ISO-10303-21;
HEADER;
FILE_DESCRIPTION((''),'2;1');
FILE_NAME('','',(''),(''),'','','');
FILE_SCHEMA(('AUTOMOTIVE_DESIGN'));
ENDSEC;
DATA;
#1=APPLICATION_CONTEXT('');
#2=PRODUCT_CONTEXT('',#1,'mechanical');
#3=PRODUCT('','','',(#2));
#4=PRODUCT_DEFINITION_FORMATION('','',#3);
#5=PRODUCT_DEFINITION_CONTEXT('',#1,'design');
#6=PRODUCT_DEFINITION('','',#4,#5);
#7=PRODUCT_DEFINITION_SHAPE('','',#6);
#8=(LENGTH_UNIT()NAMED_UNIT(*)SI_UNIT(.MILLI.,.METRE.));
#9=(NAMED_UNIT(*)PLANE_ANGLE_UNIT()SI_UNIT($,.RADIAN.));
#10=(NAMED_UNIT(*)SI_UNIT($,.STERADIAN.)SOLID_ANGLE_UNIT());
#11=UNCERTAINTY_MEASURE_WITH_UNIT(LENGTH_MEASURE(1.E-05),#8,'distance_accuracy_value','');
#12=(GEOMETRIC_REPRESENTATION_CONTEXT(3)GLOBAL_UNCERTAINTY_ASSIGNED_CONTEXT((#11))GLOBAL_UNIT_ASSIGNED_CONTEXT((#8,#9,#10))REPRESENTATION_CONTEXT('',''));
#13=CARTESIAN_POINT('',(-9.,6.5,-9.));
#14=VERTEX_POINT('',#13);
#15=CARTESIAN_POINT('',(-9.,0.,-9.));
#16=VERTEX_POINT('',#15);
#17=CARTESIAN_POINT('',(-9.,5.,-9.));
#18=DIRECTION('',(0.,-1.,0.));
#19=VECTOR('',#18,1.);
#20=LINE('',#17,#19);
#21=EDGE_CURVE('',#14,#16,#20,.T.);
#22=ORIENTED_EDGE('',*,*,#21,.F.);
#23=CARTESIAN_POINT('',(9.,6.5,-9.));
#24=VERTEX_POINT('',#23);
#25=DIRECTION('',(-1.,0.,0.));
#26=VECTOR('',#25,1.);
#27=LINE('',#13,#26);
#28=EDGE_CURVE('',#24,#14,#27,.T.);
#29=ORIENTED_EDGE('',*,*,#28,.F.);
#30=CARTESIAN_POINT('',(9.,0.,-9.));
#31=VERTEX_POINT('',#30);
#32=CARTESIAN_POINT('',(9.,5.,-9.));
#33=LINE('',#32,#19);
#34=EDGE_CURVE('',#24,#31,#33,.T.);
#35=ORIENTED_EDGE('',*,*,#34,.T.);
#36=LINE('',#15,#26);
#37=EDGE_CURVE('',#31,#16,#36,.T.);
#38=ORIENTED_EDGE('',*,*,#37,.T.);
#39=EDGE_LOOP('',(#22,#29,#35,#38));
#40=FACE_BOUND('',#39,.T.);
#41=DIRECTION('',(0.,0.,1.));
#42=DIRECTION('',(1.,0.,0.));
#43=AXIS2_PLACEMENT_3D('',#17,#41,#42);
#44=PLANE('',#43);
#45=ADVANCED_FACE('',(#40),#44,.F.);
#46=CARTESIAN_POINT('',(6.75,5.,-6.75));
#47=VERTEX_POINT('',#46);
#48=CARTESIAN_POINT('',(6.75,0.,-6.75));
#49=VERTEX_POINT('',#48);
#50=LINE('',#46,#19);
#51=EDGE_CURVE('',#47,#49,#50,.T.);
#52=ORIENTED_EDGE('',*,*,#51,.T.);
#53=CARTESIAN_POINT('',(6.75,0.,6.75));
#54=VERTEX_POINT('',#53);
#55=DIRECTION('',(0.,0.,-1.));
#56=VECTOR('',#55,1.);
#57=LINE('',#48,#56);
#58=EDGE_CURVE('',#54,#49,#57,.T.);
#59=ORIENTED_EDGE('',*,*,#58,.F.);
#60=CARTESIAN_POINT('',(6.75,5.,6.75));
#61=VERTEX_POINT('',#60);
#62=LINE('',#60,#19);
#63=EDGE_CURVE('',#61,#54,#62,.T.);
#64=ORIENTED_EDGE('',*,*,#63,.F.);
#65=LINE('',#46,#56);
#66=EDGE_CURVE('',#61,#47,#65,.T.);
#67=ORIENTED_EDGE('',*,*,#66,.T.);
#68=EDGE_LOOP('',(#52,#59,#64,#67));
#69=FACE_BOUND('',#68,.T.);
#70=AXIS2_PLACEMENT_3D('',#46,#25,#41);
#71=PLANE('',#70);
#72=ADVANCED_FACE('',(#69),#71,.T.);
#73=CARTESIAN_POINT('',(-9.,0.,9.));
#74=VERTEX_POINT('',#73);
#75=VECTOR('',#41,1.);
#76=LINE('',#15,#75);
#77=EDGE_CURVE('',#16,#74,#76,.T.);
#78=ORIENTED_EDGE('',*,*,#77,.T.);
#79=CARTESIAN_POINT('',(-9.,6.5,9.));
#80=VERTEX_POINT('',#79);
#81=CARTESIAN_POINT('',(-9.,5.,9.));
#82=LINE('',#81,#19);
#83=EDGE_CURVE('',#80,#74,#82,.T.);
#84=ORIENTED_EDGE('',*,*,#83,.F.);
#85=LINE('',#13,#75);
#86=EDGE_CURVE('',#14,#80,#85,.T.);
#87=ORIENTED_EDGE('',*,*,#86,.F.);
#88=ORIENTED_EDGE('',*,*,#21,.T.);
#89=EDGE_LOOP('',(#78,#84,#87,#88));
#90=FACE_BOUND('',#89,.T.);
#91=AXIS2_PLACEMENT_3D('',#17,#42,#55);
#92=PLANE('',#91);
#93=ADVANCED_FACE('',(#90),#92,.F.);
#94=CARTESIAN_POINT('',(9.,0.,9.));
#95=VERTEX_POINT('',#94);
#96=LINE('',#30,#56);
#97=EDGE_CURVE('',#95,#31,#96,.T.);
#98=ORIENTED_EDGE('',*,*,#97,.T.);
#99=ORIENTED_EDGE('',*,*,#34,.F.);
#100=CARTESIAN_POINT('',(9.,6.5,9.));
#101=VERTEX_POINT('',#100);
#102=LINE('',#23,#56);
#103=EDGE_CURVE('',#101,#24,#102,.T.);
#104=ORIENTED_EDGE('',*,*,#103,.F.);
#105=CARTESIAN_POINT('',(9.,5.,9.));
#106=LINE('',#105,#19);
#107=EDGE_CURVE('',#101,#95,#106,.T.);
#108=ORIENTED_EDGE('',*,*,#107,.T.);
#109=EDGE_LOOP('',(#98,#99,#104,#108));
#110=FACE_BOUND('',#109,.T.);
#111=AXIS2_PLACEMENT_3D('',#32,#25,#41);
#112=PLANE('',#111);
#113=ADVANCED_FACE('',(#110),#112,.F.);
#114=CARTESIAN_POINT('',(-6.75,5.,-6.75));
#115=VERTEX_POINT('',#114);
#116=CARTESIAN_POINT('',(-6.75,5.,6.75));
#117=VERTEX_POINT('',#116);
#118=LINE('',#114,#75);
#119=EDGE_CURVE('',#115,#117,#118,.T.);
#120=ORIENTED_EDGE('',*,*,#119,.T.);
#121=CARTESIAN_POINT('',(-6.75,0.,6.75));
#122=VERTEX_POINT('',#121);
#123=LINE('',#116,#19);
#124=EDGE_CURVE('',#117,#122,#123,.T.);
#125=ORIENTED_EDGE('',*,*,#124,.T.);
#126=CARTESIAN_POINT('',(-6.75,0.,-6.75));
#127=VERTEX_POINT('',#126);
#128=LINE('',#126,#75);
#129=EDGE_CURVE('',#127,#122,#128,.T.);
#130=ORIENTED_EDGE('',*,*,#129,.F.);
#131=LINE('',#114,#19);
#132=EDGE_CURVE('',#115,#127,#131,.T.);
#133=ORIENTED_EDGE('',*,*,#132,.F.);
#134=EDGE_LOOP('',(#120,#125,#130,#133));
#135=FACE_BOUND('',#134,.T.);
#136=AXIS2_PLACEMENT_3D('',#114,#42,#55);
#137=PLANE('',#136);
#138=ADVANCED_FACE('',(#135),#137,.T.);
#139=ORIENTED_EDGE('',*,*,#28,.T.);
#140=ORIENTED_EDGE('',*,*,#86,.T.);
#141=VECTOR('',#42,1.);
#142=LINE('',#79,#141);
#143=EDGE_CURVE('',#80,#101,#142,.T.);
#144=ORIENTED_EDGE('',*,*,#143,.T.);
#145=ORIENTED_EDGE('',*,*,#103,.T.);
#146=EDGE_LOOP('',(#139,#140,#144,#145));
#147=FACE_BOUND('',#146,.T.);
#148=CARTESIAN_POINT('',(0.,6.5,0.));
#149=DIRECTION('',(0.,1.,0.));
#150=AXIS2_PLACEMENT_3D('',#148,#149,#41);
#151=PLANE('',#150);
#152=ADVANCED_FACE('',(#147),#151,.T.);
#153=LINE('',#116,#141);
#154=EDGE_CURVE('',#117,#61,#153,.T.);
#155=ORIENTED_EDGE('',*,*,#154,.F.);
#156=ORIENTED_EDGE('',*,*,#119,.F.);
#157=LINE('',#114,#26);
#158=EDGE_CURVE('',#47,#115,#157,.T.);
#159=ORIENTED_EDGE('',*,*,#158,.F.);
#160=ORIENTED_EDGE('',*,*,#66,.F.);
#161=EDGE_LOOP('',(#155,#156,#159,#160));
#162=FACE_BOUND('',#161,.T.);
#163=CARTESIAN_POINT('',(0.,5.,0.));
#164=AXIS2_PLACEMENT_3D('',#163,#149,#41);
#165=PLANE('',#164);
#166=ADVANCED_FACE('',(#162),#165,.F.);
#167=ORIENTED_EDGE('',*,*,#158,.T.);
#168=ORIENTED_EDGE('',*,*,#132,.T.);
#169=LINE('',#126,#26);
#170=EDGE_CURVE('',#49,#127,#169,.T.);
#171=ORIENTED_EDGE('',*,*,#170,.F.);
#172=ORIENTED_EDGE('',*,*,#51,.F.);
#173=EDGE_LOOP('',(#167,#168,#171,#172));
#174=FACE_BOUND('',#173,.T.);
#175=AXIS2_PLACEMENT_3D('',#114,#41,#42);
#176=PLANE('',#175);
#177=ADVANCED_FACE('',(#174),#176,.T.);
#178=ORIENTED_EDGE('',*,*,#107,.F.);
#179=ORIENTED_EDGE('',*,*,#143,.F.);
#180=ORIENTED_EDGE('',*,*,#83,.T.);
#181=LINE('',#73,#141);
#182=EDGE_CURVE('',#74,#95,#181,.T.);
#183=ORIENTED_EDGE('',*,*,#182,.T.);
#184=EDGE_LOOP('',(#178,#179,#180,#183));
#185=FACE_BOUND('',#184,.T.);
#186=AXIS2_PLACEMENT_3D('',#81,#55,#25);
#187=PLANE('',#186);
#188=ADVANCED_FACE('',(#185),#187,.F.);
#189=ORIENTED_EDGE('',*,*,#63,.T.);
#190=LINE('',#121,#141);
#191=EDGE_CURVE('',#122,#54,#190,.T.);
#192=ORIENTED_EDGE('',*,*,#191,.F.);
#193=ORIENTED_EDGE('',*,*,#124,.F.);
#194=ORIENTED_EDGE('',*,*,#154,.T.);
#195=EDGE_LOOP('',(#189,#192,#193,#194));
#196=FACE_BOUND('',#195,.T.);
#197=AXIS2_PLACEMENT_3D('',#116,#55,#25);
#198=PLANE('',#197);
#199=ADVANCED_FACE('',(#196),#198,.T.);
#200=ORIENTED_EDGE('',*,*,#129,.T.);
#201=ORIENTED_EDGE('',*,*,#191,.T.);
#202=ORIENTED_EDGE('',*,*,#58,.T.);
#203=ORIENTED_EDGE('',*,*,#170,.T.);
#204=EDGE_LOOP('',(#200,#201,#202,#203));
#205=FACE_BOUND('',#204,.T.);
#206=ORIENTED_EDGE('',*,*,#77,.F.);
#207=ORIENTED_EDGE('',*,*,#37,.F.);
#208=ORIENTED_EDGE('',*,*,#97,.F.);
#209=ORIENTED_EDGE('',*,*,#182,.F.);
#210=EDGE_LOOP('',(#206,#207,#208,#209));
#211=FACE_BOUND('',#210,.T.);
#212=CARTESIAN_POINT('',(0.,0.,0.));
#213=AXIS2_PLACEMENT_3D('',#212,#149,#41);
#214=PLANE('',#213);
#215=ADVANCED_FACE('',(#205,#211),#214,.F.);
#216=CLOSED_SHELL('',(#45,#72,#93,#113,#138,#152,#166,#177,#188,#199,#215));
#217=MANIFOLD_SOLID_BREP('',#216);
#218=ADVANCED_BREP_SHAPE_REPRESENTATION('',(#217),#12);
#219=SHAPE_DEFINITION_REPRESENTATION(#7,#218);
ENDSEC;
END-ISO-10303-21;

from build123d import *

# Parameters (mm, degrees)
CROQUIS2_W              = 18
CROQUIS2_H              = 18
CROQUIS2_W_2            = 13.5
CROQUIS2_H_2            = 13.5
SALIENTE_EXTRUIR1_DEPTH = 5
CROQUIS3_W              = 18
CROQUIS3_H              = 18
SALIENTE_EXTRUIR2_DEPTH = 1.5


with BuildPart() as part:
    # Croquis2 → Saliente-Extruir1 (new body)
    with BuildSketch(Plane(origin=(0, 0, 0), x_dir=(1, 0, 0), z_dir=(0, 1, 0))):
        Rectangle(CROQUIS2_W, CROQUIS2_H)
        Rectangle(CROQUIS2_W_2, CROQUIS2_H_2, mode=Mode.SUBTRACT)
    extrude(amount=SALIENTE_EXTRUIR1_DEPTH)

    # Croquis3 → Saliente-Extruir2 (add)
    with BuildSketch(Plane(origin=(0, 5, 0), x_dir=(1, 0, 0), z_dir=(0, 1, 0))):
        Rectangle(CROQUIS3_W, CROQUIS3_H)
    extrude(amount=SALIENTE_EXTRUIR2_DEPTH)


solid = part.part
